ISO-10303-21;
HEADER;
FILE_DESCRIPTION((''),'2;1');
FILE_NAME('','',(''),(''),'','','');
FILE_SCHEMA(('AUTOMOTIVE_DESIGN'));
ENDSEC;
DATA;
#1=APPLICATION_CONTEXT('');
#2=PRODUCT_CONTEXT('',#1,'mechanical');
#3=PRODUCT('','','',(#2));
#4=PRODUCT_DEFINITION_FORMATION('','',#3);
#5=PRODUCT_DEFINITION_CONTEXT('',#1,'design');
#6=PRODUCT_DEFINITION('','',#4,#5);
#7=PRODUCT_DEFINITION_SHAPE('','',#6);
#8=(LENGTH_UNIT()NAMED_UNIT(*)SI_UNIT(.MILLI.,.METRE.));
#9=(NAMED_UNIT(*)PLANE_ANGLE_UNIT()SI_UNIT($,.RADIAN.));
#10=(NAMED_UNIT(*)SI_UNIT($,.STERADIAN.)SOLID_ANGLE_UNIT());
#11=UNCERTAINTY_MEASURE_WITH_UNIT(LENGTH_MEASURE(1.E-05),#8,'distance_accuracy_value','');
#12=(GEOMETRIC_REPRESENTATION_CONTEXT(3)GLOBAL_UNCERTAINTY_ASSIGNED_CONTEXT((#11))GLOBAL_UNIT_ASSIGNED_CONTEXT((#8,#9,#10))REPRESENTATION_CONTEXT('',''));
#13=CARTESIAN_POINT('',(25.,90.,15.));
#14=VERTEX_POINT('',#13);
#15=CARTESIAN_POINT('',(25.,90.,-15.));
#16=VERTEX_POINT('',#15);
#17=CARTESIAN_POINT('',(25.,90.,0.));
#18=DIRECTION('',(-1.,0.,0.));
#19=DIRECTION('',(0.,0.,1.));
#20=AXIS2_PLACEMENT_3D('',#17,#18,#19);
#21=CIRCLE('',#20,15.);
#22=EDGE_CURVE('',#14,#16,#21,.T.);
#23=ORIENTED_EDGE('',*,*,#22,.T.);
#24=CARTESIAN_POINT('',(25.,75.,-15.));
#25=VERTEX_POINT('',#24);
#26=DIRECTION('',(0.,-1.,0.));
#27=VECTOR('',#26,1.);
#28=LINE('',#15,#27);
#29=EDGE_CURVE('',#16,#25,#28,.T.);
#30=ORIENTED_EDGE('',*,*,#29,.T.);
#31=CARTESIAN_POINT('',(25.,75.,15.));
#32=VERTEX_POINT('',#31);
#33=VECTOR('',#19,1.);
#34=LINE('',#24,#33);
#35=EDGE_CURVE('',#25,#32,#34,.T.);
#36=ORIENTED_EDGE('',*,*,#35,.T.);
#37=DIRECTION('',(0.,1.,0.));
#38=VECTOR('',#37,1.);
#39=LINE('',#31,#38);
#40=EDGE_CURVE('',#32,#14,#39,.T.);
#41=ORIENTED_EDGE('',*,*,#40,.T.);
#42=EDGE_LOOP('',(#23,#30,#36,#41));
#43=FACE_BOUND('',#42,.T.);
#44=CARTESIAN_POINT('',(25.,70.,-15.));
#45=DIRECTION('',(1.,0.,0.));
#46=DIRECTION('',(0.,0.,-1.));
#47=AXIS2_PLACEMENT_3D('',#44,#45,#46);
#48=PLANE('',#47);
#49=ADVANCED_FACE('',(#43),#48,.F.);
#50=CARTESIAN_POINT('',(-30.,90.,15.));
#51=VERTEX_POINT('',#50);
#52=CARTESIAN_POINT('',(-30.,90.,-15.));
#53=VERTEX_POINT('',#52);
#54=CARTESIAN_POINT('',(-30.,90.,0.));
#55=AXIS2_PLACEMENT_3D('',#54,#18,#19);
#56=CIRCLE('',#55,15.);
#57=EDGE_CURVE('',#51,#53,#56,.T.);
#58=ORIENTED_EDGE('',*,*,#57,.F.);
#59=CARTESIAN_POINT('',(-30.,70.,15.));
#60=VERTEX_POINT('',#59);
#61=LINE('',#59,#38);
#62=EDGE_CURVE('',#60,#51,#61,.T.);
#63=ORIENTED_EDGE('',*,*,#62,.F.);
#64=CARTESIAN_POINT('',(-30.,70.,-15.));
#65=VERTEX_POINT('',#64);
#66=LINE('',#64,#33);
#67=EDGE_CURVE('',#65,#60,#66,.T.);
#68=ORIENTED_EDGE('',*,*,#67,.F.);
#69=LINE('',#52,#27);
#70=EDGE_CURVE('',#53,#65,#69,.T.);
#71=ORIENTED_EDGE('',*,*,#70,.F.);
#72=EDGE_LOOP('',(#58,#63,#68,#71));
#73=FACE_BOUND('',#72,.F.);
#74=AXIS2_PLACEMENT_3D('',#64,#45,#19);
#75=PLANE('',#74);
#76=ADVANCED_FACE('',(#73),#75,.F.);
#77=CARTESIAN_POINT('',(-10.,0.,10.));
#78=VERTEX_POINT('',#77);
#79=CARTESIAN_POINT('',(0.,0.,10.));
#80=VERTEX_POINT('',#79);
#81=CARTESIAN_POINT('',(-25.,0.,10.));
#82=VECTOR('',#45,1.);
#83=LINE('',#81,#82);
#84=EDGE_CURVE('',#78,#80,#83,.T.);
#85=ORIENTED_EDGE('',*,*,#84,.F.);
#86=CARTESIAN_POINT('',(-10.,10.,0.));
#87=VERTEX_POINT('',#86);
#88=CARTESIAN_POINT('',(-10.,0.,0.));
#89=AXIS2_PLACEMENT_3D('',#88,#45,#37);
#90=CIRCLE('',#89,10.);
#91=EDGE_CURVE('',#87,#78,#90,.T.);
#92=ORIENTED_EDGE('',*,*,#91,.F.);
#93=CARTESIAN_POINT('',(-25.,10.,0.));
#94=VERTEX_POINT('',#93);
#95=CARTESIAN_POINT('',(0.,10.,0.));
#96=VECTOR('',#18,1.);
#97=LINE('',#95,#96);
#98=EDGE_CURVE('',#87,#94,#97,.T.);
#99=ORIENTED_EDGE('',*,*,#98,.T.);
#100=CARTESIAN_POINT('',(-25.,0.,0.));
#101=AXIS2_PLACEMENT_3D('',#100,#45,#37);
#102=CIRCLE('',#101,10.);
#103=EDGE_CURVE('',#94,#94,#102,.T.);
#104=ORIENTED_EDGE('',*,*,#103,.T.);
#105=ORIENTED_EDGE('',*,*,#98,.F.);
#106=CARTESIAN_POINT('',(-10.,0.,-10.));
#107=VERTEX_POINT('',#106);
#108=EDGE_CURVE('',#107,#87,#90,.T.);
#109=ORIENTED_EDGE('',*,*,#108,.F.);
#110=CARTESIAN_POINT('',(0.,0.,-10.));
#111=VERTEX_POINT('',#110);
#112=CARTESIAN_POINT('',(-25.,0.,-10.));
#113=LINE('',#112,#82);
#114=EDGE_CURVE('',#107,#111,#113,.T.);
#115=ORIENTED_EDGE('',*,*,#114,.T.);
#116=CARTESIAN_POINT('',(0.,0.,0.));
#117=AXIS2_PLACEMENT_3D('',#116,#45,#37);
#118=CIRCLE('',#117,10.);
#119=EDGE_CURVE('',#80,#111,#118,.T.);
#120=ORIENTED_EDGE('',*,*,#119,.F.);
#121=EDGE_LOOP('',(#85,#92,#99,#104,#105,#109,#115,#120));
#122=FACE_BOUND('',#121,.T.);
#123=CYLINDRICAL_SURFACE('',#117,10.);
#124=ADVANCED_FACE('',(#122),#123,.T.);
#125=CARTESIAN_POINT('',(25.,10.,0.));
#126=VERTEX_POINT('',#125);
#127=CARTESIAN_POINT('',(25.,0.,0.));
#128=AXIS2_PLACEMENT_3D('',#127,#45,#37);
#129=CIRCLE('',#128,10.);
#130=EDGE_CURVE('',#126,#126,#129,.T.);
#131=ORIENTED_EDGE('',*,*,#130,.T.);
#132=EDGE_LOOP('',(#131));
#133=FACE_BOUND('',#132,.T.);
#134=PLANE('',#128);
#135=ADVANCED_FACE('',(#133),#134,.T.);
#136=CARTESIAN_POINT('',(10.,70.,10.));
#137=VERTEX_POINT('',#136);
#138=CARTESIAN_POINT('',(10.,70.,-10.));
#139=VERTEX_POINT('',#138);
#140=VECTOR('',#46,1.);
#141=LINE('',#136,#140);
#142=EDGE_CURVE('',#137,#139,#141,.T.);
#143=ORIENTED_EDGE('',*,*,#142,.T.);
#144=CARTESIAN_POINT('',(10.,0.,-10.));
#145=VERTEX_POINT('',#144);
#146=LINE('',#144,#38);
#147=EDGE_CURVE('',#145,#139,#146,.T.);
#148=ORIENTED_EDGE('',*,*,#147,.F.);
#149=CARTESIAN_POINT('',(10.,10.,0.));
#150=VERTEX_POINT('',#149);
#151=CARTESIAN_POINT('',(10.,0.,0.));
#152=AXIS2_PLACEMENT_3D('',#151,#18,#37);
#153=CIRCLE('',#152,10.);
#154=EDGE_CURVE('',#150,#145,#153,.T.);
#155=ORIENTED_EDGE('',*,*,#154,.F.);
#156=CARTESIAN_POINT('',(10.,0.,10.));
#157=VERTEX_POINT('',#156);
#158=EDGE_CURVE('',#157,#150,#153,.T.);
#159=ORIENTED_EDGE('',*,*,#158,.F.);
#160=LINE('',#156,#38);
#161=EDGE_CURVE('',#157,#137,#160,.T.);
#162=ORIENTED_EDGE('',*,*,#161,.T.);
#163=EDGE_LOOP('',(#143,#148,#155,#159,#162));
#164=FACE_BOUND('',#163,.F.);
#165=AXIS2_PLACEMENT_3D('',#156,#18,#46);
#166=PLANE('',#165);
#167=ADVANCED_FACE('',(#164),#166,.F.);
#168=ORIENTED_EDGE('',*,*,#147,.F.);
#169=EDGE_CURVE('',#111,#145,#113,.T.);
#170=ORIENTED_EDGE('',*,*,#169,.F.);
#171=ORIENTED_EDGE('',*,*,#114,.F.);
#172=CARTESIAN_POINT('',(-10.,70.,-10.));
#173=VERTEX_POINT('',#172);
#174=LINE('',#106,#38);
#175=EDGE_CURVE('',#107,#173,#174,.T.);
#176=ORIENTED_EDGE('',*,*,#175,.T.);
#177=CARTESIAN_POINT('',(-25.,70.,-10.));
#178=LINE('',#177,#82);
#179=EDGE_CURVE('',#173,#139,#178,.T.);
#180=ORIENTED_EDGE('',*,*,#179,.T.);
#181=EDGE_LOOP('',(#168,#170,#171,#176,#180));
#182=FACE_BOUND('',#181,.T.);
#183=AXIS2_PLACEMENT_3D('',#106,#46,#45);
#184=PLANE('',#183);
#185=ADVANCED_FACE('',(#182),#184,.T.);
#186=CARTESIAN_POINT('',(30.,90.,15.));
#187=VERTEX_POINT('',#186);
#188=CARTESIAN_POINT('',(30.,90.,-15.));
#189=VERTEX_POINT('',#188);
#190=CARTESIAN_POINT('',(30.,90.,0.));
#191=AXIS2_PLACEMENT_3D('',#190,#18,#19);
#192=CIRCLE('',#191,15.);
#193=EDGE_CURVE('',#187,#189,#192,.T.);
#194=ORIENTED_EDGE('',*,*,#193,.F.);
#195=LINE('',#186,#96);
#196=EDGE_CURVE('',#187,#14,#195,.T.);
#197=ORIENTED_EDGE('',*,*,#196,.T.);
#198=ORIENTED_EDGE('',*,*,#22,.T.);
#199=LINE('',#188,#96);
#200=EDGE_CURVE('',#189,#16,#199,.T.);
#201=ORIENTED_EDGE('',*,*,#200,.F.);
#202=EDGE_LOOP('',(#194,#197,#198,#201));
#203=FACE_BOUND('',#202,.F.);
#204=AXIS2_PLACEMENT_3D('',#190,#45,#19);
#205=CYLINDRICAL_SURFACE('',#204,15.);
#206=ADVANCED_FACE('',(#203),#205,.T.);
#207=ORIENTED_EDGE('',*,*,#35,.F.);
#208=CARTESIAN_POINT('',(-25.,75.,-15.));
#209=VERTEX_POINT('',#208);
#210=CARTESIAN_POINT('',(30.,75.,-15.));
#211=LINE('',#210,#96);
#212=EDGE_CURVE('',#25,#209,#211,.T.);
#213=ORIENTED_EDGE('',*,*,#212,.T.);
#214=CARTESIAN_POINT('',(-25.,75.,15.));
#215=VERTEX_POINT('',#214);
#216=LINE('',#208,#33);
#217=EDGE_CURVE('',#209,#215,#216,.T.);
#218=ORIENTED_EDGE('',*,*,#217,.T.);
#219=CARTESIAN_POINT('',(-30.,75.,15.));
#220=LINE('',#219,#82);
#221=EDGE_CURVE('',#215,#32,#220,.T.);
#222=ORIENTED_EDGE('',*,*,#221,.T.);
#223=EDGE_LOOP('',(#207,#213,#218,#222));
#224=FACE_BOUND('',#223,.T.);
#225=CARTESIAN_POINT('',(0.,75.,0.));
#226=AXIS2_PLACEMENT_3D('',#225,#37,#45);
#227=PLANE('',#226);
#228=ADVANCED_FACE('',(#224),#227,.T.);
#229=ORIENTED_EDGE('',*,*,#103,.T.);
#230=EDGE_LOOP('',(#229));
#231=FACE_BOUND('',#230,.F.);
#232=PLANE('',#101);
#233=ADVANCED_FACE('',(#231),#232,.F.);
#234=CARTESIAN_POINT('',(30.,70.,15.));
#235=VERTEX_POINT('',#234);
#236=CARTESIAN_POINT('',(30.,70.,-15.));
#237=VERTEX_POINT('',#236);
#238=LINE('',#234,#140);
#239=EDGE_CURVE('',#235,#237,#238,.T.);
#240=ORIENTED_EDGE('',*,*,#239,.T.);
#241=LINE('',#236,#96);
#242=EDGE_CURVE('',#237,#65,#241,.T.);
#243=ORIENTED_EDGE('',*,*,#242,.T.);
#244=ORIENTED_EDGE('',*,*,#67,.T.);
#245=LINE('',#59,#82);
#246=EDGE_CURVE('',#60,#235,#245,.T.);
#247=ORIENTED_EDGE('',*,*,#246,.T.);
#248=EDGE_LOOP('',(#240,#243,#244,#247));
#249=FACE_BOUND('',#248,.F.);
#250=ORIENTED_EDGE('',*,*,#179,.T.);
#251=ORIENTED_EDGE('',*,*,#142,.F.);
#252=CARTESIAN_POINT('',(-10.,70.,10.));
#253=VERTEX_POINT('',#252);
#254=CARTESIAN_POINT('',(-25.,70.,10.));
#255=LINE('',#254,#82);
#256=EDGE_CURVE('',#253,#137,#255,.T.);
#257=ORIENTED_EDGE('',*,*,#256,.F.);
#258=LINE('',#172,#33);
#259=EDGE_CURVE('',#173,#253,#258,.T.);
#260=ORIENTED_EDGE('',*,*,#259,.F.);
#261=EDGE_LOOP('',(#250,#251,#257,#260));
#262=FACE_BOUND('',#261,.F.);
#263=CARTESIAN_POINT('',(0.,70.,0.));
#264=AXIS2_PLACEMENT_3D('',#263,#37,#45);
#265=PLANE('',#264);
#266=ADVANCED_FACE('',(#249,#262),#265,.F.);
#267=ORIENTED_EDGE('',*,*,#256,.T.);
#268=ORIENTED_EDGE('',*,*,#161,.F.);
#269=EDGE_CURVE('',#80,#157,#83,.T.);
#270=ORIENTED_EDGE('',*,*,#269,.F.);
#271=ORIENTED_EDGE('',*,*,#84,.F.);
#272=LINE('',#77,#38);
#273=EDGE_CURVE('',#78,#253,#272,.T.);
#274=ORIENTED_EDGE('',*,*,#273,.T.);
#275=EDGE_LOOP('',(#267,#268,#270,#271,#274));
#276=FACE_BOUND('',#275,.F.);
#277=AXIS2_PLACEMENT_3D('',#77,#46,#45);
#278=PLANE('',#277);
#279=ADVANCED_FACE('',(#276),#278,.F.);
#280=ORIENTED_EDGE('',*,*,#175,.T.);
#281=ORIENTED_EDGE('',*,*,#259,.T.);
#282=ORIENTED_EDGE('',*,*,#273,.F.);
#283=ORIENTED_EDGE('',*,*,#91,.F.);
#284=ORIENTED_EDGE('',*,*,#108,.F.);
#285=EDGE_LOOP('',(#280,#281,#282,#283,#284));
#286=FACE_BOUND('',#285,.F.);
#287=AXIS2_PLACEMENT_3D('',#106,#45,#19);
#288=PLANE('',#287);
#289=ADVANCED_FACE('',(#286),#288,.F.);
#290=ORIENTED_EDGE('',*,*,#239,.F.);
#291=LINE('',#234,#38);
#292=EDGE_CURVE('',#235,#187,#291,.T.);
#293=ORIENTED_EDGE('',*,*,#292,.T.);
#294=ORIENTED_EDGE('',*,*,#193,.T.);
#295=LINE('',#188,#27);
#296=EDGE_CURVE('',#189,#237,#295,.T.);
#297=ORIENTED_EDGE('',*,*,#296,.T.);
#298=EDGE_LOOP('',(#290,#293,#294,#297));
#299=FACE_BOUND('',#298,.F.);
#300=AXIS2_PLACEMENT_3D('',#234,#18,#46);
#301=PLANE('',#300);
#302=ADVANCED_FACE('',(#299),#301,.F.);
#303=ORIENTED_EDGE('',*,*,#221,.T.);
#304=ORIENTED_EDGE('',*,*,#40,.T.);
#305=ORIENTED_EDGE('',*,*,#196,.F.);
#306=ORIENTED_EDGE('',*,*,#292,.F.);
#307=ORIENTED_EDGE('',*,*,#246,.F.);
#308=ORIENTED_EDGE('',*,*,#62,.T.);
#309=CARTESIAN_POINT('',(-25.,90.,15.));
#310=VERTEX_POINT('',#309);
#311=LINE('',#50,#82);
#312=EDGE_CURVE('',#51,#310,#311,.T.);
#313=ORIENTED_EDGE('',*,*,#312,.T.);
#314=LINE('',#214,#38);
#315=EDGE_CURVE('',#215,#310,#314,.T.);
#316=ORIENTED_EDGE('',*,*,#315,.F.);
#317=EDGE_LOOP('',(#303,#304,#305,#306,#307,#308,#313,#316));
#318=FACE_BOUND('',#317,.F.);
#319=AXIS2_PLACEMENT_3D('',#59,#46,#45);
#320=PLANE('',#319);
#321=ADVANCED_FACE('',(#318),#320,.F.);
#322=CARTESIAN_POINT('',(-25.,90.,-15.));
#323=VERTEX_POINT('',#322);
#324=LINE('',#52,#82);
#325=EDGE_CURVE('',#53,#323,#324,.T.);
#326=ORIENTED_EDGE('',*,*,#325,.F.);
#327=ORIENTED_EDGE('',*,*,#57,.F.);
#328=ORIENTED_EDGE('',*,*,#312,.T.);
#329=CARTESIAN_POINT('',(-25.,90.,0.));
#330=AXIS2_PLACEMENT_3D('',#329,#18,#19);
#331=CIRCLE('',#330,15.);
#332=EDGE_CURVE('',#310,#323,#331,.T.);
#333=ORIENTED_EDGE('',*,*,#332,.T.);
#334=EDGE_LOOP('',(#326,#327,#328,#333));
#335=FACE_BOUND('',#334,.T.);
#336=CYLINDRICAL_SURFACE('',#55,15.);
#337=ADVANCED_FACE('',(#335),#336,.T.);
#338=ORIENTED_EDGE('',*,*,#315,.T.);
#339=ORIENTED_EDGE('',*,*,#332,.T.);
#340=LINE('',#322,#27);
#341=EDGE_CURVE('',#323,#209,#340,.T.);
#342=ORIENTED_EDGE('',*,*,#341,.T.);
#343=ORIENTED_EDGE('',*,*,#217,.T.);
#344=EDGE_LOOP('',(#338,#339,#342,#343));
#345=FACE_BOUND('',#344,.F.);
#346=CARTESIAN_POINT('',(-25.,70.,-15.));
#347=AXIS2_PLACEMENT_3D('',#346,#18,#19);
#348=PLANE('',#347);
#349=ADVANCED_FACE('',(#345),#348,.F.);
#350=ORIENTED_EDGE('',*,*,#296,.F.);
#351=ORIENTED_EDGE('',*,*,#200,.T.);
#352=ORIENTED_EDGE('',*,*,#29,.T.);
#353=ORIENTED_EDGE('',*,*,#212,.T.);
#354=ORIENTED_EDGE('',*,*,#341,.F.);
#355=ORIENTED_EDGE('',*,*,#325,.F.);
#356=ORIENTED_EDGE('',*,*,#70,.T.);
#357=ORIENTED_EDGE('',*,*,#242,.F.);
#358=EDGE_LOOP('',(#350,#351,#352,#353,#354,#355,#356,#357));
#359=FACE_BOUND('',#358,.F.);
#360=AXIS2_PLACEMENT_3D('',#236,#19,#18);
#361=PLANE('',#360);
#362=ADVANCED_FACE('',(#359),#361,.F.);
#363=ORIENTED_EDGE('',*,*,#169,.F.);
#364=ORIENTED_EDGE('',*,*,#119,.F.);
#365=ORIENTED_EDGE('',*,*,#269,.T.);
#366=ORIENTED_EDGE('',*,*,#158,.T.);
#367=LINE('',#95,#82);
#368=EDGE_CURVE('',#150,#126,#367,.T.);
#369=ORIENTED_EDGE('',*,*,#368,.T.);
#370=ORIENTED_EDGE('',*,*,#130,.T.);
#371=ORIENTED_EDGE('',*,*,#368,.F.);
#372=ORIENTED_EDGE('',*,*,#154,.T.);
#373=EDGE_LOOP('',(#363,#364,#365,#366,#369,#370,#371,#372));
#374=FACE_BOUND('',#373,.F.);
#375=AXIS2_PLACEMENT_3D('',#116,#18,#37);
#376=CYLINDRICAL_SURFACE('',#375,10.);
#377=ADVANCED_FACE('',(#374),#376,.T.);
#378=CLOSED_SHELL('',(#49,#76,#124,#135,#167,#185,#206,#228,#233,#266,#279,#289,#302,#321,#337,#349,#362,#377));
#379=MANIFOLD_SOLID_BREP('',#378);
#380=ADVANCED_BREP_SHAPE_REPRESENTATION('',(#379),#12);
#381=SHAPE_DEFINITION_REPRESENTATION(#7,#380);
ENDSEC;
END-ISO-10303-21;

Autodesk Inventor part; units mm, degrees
ref_plane "YZ Plane" through (0, 0, 0) normal (1, 0, 0) x (0, 1, 0)
ref_plane "XZ Plane" through (0, 0, 0) normal (0, 1, 0) x (-1, 0, 0)
ref_plane "XY Plane" through (0, 0, 0) normal (0, 0, 1) x (1, 0, 0)
sketch "스케치7" plane through (0, 0, 0) normal (1, 0, 0) x (0, 1, 0)
  circle A0 centre (0, 0) radius 10
  dimension "d29" = 20
extrude "돌출7" add sketch "스케치7" along normal mid plane 50
sketch "스케치8" plane through (0, 0, 0) normal (0, 1, 0) x (-1, 0, 0)
  line L0 (25, 10) -> (-25, 10) projected
  line L1 (25, -10) -> (-25, -10) projected
  line L2 (10, 10) -> (-10, 10)
  line L3 (-10, 10) -> (-10, -10)
  line L4 (-10, -10) -> (10, -10)
  line L5 (10, -10) -> (10, 10)
  line L6 (25, -10) -> (25, 10) projected
  point P0 (0, 0)
  dimension "d32" = 20
  dimension "d33" = 15
extrude "돌출8" add sketch "스케치8" along normal blind 70 contours L5 L1 L3 L0
sketch "스케치9" plane through (0, 70, 0) normal (0, 1, 0) x (1, 0, 0)
  line L0 (-30, -15) -> (30, -15)
  line L1 (30, -15) -> (30, 15)
  line L2 (30, 15) -> (-30, 15)
  line L3 (-30, 15) -> (-30, -15)
  line L4 (-30, -15) -> (30, 15) construction
  line L5 (30, -15) -> (-30, 15) construction
  point P0 (0, 0)
  dimension "d36" = 60
  dimension "d37" = 30
extrude "돌출9" add sketch "스케치9" along normal blind 5
sketch "스케치10" plane through (-30, 70, -15) normal (-1, 0, 0) x (0, 0, 1)
  line L0 (0, 5) -> (30, 5)
  line L1 (30, 5) -> (30, 20)
  line L2 (30, 20) -> (0, 20)
  line L3 (0, 20) -> (0, 5)
  arc A0 (30, 20) -> (0, 20) centre (15, 20) ccw
  point P0 (15, -70)
  dimension "d40" = 30
  dimension "d41" = 15
extrude "돌출10" add sketch "스케치10" against normal blind 5
mirror "미러3" about plane through (0, 0, 0) normal (1, 0, 0) of "돌출10"
properties part number "L2_0.1" material "ABS 플라스틱"
